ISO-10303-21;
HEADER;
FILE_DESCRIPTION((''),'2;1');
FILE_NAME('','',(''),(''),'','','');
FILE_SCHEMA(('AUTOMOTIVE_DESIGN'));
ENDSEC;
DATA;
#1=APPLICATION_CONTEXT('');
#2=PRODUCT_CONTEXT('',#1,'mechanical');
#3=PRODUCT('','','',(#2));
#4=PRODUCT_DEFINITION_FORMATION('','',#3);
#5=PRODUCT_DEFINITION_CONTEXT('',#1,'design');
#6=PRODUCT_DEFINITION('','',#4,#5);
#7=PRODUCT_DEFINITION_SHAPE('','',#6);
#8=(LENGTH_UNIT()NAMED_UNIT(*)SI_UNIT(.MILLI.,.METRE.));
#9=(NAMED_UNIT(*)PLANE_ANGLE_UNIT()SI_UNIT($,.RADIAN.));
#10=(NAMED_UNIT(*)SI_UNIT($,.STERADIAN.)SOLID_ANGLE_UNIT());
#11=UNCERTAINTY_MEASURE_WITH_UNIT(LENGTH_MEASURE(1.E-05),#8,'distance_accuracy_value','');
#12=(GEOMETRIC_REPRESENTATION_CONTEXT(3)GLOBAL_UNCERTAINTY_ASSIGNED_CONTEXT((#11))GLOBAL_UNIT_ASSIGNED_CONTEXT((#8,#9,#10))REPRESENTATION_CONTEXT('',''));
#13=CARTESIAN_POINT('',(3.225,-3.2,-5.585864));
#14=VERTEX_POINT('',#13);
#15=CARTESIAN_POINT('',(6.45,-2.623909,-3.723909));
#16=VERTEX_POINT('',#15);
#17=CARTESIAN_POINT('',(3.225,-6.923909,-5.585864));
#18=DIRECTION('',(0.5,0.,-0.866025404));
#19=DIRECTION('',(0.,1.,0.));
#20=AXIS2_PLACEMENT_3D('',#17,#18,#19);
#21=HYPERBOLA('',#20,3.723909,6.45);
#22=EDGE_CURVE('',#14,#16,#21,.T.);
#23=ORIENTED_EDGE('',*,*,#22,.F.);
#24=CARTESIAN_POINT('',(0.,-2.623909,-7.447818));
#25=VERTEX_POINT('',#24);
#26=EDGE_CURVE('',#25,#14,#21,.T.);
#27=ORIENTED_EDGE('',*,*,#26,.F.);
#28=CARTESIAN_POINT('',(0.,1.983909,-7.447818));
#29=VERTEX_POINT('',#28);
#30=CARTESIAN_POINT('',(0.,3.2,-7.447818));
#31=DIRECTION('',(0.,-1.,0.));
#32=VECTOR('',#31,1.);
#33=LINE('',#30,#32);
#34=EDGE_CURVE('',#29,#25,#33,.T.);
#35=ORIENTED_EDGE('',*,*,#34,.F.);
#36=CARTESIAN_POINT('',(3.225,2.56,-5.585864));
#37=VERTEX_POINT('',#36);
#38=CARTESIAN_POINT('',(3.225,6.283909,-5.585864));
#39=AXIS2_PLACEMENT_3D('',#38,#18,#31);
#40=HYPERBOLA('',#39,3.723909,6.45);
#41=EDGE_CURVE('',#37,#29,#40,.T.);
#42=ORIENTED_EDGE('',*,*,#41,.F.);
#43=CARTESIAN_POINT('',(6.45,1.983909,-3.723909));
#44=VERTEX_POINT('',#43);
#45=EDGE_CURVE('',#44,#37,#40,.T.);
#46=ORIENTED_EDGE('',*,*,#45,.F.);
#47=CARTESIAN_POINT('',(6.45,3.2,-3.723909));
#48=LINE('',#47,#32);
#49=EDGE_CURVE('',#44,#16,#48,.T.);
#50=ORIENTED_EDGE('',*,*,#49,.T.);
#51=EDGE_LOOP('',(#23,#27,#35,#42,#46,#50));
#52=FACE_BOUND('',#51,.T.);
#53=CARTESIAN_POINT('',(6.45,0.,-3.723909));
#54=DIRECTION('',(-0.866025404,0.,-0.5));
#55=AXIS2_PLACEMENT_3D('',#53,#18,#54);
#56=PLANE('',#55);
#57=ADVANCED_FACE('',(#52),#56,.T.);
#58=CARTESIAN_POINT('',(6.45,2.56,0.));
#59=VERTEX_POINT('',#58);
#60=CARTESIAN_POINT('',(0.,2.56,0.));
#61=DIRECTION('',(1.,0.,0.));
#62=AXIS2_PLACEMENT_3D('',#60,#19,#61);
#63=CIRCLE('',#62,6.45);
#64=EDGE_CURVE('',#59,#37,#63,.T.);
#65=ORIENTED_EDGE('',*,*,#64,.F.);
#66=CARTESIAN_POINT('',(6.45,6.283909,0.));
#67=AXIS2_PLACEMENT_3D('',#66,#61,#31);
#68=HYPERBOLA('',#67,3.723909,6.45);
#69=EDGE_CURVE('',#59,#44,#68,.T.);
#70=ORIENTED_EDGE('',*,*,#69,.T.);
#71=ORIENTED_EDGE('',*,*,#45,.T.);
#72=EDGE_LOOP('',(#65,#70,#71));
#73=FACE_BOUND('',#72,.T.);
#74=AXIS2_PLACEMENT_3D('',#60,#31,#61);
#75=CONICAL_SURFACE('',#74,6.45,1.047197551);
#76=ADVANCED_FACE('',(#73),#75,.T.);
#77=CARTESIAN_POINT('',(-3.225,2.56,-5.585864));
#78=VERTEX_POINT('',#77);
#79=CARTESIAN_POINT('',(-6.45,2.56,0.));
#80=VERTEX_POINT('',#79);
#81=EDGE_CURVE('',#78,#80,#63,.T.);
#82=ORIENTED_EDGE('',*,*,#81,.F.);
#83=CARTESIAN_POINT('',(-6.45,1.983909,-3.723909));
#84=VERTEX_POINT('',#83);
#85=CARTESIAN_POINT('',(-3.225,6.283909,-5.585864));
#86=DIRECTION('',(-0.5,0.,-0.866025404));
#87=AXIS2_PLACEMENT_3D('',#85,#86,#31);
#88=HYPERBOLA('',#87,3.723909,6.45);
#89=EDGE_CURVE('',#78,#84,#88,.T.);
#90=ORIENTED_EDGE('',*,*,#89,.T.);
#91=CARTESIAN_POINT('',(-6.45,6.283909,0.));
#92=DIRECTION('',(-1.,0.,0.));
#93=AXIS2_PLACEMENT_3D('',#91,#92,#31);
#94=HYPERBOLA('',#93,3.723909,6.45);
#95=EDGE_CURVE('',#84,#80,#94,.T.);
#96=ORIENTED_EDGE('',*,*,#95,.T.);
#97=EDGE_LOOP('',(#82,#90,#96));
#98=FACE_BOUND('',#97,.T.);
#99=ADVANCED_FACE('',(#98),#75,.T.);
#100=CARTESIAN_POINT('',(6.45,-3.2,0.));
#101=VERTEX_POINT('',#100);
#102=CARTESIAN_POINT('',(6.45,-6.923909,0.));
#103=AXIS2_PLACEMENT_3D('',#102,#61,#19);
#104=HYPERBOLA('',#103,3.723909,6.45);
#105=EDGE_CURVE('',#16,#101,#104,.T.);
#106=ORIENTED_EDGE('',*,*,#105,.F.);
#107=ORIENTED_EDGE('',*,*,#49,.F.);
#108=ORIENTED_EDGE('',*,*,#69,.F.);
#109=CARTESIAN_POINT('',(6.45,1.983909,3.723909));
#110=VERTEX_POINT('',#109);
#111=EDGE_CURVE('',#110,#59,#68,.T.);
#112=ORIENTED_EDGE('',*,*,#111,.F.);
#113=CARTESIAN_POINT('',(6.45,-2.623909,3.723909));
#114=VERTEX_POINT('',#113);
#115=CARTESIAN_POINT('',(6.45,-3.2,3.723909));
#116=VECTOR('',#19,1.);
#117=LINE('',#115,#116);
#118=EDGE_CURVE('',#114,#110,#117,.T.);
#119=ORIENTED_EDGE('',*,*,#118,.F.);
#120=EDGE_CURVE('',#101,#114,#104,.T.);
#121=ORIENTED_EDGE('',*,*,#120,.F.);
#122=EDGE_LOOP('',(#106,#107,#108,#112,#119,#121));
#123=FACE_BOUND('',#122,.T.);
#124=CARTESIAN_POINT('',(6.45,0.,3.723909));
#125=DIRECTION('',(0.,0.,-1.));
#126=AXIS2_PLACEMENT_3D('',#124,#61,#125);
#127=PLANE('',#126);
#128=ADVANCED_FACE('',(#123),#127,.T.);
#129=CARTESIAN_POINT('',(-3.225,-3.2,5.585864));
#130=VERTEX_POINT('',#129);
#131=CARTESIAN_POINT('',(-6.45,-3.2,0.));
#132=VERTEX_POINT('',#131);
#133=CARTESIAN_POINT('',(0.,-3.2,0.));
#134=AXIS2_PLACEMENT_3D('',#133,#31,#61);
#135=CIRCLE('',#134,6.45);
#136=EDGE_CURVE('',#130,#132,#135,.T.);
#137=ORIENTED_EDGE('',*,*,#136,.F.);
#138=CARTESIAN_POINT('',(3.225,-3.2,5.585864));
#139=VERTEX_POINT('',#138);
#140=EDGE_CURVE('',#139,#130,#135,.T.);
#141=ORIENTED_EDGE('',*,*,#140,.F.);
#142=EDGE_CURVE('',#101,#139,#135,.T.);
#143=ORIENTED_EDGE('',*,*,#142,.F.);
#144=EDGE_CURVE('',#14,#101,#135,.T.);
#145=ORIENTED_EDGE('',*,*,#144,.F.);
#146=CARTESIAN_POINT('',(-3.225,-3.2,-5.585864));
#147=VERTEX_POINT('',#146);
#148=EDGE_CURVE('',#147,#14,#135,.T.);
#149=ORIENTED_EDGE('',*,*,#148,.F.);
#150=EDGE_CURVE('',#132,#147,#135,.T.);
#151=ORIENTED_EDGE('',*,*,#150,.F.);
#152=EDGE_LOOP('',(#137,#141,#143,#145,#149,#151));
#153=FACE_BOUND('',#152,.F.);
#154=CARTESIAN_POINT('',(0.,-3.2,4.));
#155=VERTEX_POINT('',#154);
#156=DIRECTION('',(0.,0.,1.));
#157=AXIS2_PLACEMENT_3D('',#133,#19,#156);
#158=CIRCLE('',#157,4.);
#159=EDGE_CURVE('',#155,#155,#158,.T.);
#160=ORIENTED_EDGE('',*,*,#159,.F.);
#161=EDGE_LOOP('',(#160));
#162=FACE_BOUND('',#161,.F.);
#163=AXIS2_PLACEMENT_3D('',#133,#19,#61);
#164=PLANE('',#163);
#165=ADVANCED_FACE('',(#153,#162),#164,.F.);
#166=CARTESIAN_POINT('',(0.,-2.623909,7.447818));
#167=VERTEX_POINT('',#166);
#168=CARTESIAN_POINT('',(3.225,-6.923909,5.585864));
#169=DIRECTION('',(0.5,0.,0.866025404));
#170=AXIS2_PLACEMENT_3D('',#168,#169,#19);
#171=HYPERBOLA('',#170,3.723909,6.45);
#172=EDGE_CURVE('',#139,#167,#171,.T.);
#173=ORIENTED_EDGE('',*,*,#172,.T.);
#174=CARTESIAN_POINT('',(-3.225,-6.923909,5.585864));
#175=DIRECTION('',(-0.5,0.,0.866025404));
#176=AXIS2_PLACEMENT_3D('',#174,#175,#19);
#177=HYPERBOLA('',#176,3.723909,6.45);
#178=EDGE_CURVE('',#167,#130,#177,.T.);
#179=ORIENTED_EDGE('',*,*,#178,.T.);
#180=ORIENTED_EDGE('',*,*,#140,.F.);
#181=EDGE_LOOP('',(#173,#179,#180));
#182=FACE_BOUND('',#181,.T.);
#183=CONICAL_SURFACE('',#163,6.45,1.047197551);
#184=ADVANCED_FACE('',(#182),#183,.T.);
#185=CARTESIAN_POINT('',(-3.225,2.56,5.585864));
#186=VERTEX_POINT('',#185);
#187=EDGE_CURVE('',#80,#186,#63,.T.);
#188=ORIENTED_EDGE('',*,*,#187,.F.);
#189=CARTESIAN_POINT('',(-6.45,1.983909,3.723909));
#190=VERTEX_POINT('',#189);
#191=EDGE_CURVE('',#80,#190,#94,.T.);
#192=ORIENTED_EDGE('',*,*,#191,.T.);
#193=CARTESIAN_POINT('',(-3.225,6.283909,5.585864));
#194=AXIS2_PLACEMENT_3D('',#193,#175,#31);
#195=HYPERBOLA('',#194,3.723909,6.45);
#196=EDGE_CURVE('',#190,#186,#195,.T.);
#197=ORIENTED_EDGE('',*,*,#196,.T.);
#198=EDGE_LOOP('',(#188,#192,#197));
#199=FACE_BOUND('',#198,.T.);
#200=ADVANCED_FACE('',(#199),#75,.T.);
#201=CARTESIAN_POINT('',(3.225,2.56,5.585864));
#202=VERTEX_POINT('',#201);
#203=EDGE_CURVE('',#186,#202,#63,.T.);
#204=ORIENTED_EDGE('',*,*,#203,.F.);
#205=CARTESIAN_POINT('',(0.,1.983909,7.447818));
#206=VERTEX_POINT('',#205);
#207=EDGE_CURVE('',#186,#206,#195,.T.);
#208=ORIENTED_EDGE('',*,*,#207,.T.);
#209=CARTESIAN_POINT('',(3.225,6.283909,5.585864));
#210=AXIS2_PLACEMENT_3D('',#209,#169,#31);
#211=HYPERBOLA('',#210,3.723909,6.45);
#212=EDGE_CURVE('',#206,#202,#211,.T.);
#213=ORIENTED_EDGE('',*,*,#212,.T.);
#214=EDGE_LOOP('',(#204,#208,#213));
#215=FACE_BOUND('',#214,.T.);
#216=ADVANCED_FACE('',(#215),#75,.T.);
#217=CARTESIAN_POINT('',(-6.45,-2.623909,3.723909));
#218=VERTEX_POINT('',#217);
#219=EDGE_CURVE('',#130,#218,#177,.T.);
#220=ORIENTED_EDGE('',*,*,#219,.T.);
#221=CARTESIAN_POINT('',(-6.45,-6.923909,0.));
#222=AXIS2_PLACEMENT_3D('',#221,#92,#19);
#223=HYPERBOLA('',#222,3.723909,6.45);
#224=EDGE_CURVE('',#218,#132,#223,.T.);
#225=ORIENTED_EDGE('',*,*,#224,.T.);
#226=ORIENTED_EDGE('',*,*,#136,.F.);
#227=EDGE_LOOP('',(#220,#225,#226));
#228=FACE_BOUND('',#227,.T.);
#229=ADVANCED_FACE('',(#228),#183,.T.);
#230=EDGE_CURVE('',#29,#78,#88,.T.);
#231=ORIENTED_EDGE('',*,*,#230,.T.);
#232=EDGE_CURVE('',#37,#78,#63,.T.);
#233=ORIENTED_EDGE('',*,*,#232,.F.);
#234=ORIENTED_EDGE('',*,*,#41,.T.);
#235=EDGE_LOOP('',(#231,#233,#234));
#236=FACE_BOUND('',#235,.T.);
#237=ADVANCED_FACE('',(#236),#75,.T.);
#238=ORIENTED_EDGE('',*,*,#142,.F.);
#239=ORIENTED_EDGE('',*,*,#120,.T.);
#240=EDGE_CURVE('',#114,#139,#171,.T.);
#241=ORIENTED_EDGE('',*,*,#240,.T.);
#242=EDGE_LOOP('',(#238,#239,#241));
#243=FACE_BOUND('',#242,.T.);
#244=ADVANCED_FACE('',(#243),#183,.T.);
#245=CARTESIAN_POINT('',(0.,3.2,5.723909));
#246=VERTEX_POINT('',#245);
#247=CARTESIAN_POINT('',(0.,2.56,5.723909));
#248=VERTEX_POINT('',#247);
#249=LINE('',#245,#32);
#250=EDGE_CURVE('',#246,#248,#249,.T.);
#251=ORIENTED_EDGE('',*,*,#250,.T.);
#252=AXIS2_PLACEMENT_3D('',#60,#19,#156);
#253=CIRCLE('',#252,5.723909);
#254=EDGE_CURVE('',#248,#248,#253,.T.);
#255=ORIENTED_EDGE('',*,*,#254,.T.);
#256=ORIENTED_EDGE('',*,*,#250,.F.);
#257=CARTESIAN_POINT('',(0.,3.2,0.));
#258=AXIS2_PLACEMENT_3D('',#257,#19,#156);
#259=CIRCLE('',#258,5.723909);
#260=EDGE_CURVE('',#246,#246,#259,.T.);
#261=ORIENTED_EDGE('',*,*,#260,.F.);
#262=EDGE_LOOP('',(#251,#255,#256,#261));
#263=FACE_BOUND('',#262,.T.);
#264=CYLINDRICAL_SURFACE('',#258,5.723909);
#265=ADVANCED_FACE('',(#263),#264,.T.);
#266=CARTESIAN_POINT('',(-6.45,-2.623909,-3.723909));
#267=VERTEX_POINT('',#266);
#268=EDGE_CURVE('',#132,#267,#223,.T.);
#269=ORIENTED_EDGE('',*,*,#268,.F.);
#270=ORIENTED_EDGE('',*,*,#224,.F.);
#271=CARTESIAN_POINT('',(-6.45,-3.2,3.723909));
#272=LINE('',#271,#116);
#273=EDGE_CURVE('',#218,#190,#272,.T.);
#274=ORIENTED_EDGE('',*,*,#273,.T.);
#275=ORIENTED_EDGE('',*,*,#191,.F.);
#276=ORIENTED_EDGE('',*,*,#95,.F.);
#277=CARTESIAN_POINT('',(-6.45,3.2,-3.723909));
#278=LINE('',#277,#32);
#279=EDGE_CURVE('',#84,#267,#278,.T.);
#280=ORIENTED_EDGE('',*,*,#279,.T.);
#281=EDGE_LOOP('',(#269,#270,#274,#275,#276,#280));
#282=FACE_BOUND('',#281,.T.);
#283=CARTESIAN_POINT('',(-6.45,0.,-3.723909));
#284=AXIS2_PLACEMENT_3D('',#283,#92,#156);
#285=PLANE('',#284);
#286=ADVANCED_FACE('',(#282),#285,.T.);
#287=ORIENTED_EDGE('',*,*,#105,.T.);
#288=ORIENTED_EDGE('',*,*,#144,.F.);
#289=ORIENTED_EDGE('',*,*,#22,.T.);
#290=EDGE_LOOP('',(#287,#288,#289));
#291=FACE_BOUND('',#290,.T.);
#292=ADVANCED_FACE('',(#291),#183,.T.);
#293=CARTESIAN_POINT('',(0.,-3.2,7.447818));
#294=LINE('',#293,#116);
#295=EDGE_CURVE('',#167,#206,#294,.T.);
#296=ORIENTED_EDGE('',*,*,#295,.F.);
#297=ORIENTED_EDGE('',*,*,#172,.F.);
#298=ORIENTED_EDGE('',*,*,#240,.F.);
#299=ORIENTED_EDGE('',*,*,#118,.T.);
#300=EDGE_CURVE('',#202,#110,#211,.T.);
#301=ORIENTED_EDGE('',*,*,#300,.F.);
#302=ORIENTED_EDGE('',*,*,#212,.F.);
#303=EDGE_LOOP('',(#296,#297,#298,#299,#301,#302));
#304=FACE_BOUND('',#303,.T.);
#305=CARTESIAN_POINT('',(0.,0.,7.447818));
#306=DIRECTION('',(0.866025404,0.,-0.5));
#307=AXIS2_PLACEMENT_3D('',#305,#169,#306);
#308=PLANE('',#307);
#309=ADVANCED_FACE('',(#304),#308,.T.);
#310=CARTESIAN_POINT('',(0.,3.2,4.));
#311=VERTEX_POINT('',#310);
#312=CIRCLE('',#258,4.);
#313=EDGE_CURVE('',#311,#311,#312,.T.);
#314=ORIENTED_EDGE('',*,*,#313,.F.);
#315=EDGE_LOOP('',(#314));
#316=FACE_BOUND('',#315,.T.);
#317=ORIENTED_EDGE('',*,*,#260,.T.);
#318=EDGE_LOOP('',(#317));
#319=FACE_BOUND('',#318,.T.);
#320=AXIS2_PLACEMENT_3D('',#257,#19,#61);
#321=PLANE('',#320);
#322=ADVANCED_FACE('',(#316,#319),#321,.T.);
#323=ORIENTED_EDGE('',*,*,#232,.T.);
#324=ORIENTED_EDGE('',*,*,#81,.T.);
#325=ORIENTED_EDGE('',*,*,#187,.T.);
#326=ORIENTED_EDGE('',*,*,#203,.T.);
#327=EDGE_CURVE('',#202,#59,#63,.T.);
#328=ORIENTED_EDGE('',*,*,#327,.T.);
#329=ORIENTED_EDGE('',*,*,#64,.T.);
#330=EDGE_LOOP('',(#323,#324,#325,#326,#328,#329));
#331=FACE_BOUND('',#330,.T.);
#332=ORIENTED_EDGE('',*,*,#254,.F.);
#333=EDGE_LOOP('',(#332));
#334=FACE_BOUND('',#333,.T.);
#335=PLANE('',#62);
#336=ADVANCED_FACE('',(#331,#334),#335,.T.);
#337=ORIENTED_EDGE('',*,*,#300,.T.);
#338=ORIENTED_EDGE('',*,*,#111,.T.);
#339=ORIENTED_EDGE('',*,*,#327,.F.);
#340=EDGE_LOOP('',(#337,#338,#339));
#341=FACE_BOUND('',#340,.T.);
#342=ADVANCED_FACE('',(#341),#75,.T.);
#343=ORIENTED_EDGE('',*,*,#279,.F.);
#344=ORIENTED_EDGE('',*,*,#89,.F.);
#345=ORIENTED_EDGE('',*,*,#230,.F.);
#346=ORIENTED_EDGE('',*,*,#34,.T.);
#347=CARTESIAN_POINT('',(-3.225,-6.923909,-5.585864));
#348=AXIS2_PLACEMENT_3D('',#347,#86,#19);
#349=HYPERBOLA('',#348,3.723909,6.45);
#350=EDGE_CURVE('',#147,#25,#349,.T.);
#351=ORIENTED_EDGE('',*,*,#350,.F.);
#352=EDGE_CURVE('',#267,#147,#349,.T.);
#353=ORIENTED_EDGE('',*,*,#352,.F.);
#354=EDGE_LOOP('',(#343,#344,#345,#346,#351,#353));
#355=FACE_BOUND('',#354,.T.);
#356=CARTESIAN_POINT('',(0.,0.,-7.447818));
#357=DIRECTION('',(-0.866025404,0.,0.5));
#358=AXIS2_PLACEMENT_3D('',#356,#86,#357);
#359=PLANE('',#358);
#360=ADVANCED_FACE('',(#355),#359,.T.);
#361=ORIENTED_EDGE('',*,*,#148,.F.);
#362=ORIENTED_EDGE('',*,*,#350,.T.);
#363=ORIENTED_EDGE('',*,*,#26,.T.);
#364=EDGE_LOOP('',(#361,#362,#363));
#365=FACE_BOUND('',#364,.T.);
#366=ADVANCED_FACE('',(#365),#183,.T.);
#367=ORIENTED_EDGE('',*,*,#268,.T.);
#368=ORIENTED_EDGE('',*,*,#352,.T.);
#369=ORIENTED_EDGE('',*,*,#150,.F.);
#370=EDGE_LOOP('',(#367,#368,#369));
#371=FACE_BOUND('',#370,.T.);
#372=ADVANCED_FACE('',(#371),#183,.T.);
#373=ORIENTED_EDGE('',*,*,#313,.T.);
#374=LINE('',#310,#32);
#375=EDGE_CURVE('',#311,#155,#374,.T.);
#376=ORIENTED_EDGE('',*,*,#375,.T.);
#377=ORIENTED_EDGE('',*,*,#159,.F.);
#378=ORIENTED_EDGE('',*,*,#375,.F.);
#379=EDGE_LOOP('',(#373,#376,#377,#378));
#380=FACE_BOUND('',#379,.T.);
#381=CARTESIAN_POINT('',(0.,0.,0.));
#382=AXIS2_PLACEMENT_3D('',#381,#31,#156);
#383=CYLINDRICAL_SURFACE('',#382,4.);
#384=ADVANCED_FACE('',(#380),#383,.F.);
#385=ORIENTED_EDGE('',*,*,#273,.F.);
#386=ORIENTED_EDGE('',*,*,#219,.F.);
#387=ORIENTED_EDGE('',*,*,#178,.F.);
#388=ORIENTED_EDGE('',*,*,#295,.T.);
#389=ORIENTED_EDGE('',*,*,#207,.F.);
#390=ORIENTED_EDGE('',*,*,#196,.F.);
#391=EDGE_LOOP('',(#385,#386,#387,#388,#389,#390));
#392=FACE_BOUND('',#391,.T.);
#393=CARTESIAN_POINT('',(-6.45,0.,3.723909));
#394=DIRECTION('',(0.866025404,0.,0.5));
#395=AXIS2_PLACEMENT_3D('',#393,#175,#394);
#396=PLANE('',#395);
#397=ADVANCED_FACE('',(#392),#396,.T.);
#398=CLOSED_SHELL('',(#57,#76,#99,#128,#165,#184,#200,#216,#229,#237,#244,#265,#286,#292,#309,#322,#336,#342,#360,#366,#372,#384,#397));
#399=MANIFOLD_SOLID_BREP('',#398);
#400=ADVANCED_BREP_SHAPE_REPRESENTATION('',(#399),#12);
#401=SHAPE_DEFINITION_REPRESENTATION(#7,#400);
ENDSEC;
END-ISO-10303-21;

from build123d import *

# Parameters (mm, degrees)
SKETCH1_R               = 4
BOSS_EXTRUDE1_DEPTH     = 3.2
SKETCH9_OUTSIDE_W       = 19.044
SKETCH9_OUTSIDE_H       = 21.04
SKETCH9_OUTSIDE_R       = 5.723909236
CUT_EXTRUDE3_DEPTH      = 0.64
SKETCH5_OUTSIDE_W       = 62.042
SKETCH5_OUTSIDE_H       = 64.038
SKETCH5_OUTSIDE_R       = 6.45
CUT_EXTRUDE2_DEPTH      = 12.412716592
CUT_EXTRUDE2_DRAFT      = -60
MIRROR1_COPY_1_SKETCH_W = 62.042
MIRROR1_COPY_1_SKETCH_H = 64.038
MIRROR1_COPY_1_SKETCH_R = 6.45
MIRROR1_COPY_1_DEPTH    = 12.412716592
MIRROR1_COPY_1_DRAFT    = -60


with BuildPart() as part:
    # Sketch1 → Boss-Extrude1 (new, symmetric)
    with BuildSketch(Plane(origin=(0, 0, 0), x_dir=(1, 0, 0), z_dir=(0, 1, 0))):
        Polygon((-6.45, 3.723909236), (-6.45, -3.723909236), (0, -7.447818473), (6.45, -3.723909236), (6.45, 3.723909236), (0, 7.447818473), align=None)
        with Locations(Location((0, 0, 0), (0, 0, 270))):
            Circle(SKETCH1_R, mode=Mode.SUBTRACT)
    extrude(amount=BOSS_EXTRUDE1_DEPTH, both=True)

    # Sketch9 outside → Cut-Extrude3 (cut)
    with BuildSketch(Plane(origin=(0, 3.2, 0), x_dir=(1, 0, 0), z_dir=(0, 1, 0))):
        Rectangle(SKETCH9_OUTSIDE_W, SKETCH9_OUTSIDE_H)
        with Locations(Location((0, 0, 0), (0, 0, 270))):
            Circle(SKETCH9_OUTSIDE_R, mode=Mode.SUBTRACT)
    extrude(amount=-CUT_EXTRUDE3_DEPTH, mode=Mode.SUBTRACT)


with BuildPart() as cut_extrude2_tool:
    # Sketch5 outside → Cut-Extrude2 (with draft: the straight prism first)
    with BuildSketch(Plane(origin=(0, 2.56, 0), x_dir=(1, 0, 0), z_dir=(0, 1, 0))):
        Rectangle(SKETCH5_OUTSIDE_W, SKETCH5_OUTSIDE_H)
        Circle(SKETCH5_OUTSIDE_R, mode=Mode.SUBTRACT)
    extrude(amount=-CUT_EXTRUDE2_DEPTH)
    # Cut-Extrude2: the draft: its side faces are tilted about the plane it starts from
    cut_extrude2_sides = [cut_extrude2_tool.faces().sort_by_distance(p)[0] for p in [
        (0, -3.646358296, 32.019),
        (31.021, -3.646358296, 0),
        (0, -3.646358296, -32.019),
        (-31.021, -3.646358296, 0),
        (-6.45, -3.646358296, 0),
    ]]
    draft(cut_extrude2_sides, Plane(origin=(0, 2.56, 0), x_dir=(1, 0, 0), z_dir=(0, 1, 0)), CUT_EXTRUDE2_DRAFT)


with BuildPart() as part_1:
    add(part.part)

    # Cut-Extrude2: cut by cut_extrude2_tool
    add(cut_extrude2_tool.part, mode=Mode.SUBTRACT)


with BuildPart() as mirror1_copy_1_tool:
    # Mirror1 copy 1 sketch → Mirror1 copy 1 (with draft: the straight prism first)
    with BuildSketch(Plane.XZ.offset(3.2)):
        Rectangle(MIRROR1_COPY_1_SKETCH_W, MIRROR1_COPY_1_SKETCH_H)
        Circle(MIRROR1_COPY_1_SKETCH_R, mode=Mode.SUBTRACT)
    extrude(amount=-MIRROR1_COPY_1_DEPTH)
    # Mirror1 copy 1: the draft: its side faces are tilted about the plane it starts from
    mirror1_copy_1_sides = [mirror1_copy_1_tool.faces().sort_by_distance(p)[0] for p in [
        (0, 3.006358296, 32.019),
        (31.021, 3.006358296, 0),
        (0, 3.006358296, -32.019),
        (-31.021, 3.006358296, 0),
        (-6.45, 3.006358296, 0),
    ]]
    draft(mirror1_copy_1_sides, Plane.XZ.offset(3.2), MIRROR1_COPY_1_DRAFT)


with BuildPart() as part_2:
    add(part_1.part)

    # Mirror1 copy 1: cut by mirror1_copy_1_tool
    add(mirror1_copy_1_tool.part, mode=Mode.SUBTRACT)


solid = part_2.part
